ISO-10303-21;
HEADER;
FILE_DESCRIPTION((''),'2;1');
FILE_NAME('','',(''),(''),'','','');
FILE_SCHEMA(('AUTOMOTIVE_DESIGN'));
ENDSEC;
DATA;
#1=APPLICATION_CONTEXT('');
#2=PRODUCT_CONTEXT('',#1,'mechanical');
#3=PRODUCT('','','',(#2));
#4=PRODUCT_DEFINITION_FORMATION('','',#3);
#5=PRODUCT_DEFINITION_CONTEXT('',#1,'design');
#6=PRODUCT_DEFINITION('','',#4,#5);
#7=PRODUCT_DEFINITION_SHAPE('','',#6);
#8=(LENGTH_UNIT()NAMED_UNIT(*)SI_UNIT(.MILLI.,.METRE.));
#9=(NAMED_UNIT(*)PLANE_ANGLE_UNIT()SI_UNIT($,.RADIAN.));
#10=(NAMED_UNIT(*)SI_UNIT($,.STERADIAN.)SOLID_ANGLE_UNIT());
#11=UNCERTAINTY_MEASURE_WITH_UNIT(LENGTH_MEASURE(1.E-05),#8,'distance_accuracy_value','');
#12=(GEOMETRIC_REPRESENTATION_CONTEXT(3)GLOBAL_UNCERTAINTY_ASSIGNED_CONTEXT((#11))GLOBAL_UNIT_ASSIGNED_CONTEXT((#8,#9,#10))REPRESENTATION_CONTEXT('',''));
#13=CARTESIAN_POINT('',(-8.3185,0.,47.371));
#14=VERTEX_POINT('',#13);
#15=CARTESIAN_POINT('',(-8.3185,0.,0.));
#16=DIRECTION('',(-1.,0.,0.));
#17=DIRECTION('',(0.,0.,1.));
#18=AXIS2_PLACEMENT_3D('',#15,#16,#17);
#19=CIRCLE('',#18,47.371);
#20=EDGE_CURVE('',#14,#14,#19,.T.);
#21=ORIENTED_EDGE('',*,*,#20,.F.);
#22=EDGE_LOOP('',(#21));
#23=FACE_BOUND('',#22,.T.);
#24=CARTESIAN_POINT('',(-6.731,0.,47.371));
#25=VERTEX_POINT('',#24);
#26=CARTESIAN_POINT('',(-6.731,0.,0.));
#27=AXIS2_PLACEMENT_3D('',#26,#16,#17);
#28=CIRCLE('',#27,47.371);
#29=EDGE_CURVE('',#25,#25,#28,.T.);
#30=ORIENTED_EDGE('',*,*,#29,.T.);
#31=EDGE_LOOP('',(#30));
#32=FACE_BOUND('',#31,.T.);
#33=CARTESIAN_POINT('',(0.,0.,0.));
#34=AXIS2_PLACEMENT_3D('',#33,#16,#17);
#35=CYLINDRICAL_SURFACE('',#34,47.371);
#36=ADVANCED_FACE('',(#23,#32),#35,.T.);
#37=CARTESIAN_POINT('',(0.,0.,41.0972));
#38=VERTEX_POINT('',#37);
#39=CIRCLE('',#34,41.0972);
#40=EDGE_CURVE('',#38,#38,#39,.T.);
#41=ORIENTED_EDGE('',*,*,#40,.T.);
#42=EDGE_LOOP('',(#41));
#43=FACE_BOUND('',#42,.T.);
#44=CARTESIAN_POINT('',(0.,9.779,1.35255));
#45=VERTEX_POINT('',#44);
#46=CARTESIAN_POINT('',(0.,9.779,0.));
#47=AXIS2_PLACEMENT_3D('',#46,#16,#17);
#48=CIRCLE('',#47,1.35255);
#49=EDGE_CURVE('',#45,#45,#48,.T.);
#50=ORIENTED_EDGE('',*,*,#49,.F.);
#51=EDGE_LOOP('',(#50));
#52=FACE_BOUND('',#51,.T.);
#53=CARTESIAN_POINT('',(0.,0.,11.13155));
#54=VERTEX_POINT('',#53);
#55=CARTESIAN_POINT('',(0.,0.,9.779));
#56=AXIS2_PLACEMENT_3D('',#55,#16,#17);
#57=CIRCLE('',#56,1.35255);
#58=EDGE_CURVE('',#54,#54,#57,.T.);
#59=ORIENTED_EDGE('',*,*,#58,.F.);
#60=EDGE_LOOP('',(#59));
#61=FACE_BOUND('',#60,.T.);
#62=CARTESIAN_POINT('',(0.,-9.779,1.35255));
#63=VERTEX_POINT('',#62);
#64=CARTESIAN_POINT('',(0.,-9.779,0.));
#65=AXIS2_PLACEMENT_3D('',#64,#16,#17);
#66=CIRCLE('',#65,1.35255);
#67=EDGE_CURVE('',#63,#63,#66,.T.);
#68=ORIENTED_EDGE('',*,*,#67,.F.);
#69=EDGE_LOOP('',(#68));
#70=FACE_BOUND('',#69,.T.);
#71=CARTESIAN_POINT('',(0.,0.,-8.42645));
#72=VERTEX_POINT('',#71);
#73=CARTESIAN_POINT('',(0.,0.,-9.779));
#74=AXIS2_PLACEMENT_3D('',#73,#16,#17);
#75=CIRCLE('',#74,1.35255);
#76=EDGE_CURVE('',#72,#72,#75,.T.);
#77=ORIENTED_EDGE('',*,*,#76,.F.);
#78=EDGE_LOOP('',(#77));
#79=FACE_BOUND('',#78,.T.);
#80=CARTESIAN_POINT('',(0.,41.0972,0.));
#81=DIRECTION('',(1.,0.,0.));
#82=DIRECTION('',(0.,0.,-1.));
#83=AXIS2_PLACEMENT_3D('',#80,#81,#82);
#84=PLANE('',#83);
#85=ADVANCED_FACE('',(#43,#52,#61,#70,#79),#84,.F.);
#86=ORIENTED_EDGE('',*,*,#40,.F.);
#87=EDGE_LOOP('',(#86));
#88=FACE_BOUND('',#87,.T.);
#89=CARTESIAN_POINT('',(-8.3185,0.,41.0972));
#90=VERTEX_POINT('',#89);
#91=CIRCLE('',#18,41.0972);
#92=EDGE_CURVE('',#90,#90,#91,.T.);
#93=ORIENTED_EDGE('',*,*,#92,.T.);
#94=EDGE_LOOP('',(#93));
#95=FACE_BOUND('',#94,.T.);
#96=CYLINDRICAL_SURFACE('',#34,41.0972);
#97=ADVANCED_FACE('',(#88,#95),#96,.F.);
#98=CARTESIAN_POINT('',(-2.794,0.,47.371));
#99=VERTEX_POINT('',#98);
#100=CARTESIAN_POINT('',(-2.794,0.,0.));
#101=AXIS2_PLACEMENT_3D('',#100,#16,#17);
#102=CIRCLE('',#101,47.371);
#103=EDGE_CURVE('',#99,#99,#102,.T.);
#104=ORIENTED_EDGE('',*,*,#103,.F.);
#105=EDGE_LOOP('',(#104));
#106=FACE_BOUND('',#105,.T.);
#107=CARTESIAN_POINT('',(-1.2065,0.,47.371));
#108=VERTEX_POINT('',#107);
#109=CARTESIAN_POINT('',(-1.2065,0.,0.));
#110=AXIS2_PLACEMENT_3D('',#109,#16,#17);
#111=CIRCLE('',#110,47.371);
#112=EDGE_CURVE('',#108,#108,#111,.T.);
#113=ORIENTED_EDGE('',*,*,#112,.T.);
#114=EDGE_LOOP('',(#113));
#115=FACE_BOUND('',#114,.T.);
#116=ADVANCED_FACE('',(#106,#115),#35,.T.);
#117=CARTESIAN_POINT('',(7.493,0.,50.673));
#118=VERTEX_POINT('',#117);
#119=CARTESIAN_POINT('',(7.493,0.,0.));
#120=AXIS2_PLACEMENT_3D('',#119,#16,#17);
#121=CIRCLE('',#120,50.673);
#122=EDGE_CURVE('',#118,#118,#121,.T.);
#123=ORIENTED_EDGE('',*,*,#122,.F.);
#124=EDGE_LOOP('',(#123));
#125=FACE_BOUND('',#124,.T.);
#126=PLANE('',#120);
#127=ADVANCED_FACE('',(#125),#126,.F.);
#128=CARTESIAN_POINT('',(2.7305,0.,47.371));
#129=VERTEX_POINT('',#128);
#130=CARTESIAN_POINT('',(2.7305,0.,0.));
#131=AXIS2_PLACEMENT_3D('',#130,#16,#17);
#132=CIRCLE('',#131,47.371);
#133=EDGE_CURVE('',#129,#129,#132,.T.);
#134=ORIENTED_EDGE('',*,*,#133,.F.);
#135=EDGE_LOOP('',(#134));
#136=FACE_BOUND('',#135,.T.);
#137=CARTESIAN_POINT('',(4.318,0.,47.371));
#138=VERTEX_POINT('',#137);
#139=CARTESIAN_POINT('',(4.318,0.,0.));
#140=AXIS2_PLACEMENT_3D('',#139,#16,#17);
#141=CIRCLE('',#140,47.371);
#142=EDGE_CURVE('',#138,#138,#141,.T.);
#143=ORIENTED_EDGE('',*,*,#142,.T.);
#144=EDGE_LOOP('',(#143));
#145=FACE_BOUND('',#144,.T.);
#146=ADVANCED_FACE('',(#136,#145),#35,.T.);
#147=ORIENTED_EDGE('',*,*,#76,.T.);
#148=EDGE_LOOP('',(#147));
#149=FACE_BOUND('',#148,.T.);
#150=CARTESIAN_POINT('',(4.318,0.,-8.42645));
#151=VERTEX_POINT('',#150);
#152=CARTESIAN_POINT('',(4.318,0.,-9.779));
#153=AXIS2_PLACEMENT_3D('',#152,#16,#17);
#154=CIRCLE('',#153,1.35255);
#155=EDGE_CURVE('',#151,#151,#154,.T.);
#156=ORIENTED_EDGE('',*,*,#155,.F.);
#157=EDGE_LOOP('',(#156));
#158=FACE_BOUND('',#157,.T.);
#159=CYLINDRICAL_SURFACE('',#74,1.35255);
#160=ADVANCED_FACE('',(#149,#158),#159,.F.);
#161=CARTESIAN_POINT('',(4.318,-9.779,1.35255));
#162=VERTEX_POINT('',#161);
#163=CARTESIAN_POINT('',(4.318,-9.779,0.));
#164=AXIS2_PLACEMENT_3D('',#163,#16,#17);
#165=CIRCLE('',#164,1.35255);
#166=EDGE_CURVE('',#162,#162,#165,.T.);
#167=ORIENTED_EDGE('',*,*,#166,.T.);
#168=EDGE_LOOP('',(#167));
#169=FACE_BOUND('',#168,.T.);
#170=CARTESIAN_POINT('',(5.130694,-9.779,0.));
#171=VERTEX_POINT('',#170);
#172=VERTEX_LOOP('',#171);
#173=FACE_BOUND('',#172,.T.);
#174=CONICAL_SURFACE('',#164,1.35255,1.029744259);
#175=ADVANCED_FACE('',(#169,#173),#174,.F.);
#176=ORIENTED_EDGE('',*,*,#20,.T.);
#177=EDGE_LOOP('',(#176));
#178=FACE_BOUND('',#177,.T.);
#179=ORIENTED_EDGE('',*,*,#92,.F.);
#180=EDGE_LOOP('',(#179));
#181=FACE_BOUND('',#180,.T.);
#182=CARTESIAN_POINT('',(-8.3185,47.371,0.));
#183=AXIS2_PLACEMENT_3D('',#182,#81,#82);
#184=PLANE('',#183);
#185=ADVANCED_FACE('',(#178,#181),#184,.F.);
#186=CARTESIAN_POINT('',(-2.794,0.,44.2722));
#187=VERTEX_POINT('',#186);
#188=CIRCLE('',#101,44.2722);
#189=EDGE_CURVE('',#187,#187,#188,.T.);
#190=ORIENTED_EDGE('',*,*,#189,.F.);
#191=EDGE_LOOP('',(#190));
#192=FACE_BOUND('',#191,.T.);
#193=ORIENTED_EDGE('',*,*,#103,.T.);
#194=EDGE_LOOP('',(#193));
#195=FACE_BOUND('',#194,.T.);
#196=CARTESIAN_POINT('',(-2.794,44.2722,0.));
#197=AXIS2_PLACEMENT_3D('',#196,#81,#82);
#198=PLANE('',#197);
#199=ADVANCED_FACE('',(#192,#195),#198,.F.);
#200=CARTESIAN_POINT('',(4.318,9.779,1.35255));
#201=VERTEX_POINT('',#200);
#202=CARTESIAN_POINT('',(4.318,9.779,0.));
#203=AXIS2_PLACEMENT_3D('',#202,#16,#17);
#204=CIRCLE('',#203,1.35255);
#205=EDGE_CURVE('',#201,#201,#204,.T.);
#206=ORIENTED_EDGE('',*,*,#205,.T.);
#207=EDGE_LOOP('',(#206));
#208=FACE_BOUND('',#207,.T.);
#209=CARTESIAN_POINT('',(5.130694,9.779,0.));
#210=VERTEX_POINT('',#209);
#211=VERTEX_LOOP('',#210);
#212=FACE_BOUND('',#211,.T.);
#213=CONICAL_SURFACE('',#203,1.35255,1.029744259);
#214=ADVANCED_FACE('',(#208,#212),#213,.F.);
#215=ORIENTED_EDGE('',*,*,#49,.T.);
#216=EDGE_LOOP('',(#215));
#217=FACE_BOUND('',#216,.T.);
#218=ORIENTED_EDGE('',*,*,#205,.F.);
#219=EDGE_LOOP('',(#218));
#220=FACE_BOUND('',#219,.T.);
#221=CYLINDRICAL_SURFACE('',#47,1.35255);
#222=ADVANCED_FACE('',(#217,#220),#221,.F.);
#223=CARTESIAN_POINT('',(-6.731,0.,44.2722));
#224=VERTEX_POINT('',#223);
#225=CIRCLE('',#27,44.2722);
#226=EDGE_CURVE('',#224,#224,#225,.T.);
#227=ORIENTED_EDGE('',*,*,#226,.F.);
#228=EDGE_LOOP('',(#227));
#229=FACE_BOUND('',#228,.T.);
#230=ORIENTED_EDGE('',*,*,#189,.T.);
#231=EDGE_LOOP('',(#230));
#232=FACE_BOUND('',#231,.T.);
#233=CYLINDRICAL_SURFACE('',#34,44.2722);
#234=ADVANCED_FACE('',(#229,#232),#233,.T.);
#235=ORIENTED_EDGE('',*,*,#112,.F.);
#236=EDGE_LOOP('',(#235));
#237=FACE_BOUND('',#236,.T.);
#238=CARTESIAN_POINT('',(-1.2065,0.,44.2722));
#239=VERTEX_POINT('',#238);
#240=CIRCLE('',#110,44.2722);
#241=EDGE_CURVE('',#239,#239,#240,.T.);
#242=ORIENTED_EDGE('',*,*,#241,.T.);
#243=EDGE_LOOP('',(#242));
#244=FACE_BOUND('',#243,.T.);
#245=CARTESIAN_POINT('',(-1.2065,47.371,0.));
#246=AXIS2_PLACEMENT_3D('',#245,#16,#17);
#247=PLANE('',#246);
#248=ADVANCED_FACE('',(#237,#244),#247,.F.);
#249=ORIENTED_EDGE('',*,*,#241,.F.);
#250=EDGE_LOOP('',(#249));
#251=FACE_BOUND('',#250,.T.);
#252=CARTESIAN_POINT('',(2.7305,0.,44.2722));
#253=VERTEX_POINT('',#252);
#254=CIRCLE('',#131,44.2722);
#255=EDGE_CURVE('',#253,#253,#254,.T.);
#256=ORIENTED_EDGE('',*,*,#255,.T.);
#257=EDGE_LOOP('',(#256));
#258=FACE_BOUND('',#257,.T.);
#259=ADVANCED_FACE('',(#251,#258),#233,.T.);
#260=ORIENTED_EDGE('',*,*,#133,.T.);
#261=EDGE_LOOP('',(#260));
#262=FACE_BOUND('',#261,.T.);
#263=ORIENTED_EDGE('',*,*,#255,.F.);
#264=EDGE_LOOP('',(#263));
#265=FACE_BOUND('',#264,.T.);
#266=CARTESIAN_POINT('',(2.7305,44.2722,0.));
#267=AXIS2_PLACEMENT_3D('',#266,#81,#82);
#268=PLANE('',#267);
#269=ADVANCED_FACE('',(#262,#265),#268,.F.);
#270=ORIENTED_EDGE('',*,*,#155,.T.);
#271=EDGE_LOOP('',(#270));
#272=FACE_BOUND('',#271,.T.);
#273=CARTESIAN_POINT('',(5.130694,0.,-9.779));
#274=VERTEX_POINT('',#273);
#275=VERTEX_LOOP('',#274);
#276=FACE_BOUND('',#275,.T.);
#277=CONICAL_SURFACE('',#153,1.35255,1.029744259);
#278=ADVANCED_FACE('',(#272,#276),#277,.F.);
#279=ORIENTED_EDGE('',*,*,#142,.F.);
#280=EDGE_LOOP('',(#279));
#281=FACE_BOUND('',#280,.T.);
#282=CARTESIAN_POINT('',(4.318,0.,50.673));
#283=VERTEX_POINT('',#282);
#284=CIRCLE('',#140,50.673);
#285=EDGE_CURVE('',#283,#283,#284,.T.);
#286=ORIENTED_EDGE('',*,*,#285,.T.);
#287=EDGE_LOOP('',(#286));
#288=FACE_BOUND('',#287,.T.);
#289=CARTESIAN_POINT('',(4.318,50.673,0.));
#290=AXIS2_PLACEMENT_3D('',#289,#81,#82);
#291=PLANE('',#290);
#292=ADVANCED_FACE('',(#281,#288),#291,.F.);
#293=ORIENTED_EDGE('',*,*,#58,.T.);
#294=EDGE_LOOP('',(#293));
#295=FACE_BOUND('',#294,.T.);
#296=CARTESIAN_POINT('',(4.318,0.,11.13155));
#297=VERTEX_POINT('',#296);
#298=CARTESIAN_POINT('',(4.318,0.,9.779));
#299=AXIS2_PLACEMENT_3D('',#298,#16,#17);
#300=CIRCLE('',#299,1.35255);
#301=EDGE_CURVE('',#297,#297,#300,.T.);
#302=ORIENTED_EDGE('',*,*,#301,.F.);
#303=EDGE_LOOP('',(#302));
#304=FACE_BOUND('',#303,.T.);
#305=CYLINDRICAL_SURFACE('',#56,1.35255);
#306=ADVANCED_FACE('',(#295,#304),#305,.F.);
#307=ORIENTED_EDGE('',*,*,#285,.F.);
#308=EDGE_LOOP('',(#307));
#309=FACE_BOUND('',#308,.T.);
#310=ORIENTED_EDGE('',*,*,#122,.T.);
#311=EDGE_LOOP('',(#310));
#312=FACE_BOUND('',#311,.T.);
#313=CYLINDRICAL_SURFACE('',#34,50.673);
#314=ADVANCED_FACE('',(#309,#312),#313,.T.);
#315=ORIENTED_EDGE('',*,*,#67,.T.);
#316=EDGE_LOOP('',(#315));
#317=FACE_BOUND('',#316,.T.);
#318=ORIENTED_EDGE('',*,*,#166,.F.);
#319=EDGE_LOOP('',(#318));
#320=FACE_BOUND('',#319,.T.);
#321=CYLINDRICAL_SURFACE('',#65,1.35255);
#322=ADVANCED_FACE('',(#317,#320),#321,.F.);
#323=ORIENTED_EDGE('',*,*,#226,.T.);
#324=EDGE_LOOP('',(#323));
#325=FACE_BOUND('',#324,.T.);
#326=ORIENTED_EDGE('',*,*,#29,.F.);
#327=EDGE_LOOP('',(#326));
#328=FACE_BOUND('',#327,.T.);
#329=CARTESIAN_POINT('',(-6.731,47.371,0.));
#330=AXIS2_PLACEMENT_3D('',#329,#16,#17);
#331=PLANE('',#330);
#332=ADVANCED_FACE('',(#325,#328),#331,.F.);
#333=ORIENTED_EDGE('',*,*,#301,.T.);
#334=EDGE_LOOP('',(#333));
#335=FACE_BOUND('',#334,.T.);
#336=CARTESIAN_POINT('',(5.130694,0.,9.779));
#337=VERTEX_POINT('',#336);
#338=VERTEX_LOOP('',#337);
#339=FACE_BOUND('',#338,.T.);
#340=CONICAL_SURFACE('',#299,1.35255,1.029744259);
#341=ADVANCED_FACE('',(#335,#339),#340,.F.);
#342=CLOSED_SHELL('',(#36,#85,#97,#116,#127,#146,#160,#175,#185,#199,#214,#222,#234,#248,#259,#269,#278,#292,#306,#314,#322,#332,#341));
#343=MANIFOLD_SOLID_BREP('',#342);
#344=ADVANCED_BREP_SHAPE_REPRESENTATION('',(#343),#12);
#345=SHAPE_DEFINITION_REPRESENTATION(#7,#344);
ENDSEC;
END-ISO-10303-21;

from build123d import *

# Parameters (mm, degrees)
F_6_32_TAPPED_HOLE1_D     = 2.7051
F_6_32_TAPPED_HOLE1_DEPTH = 4.318
F_6_32_TAPPED_HOLE1_TIP   = 0.81269403


with BuildPart() as part:
    # Sketch1 → Revolve1 (revolve)
    with BuildSketch(Plane.XY):
        Polygon((4.318, 50.673), (4.318, 47.371), (2.7305, 47.371), (2.7305, 44.2722), (-1.2065, 44.2722), (-1.2065, 47.371), (-2.794, 47.371), (-2.794, 44.2722), (-6.731, 44.2722), (-6.731, 47.371), (-8.3185, 47.371), (-8.3185, 41.0972), (0, 41.0972), (0, 0), (7.493, 0), (7.493, 50.673), align=None)
    revolve(axis=Axis((0, 0, 0), (1, 0, 0)))

    # #6-32 Tapped Hole1
    with Locations(Plane.ZY):
        with Locations((0, 9.779), (0, -9.779), (-9.779, 0), (9.779, 0)):
            Hole(F_6_32_TAPPED_HOLE1_D / 2, depth=F_6_32_TAPPED_HOLE1_DEPTH)
            with Locations((0, 0, -(F_6_32_TAPPED_HOLE1_DEPTH + F_6_32_TAPPED_HOLE1_TIP / 2))):  # 118° drill point
                Cone(0, F_6_32_TAPPED_HOLE1_D / 2, F_6_32_TAPPED_HOLE1_TIP, mode=Mode.SUBTRACT)


solid = part.part
